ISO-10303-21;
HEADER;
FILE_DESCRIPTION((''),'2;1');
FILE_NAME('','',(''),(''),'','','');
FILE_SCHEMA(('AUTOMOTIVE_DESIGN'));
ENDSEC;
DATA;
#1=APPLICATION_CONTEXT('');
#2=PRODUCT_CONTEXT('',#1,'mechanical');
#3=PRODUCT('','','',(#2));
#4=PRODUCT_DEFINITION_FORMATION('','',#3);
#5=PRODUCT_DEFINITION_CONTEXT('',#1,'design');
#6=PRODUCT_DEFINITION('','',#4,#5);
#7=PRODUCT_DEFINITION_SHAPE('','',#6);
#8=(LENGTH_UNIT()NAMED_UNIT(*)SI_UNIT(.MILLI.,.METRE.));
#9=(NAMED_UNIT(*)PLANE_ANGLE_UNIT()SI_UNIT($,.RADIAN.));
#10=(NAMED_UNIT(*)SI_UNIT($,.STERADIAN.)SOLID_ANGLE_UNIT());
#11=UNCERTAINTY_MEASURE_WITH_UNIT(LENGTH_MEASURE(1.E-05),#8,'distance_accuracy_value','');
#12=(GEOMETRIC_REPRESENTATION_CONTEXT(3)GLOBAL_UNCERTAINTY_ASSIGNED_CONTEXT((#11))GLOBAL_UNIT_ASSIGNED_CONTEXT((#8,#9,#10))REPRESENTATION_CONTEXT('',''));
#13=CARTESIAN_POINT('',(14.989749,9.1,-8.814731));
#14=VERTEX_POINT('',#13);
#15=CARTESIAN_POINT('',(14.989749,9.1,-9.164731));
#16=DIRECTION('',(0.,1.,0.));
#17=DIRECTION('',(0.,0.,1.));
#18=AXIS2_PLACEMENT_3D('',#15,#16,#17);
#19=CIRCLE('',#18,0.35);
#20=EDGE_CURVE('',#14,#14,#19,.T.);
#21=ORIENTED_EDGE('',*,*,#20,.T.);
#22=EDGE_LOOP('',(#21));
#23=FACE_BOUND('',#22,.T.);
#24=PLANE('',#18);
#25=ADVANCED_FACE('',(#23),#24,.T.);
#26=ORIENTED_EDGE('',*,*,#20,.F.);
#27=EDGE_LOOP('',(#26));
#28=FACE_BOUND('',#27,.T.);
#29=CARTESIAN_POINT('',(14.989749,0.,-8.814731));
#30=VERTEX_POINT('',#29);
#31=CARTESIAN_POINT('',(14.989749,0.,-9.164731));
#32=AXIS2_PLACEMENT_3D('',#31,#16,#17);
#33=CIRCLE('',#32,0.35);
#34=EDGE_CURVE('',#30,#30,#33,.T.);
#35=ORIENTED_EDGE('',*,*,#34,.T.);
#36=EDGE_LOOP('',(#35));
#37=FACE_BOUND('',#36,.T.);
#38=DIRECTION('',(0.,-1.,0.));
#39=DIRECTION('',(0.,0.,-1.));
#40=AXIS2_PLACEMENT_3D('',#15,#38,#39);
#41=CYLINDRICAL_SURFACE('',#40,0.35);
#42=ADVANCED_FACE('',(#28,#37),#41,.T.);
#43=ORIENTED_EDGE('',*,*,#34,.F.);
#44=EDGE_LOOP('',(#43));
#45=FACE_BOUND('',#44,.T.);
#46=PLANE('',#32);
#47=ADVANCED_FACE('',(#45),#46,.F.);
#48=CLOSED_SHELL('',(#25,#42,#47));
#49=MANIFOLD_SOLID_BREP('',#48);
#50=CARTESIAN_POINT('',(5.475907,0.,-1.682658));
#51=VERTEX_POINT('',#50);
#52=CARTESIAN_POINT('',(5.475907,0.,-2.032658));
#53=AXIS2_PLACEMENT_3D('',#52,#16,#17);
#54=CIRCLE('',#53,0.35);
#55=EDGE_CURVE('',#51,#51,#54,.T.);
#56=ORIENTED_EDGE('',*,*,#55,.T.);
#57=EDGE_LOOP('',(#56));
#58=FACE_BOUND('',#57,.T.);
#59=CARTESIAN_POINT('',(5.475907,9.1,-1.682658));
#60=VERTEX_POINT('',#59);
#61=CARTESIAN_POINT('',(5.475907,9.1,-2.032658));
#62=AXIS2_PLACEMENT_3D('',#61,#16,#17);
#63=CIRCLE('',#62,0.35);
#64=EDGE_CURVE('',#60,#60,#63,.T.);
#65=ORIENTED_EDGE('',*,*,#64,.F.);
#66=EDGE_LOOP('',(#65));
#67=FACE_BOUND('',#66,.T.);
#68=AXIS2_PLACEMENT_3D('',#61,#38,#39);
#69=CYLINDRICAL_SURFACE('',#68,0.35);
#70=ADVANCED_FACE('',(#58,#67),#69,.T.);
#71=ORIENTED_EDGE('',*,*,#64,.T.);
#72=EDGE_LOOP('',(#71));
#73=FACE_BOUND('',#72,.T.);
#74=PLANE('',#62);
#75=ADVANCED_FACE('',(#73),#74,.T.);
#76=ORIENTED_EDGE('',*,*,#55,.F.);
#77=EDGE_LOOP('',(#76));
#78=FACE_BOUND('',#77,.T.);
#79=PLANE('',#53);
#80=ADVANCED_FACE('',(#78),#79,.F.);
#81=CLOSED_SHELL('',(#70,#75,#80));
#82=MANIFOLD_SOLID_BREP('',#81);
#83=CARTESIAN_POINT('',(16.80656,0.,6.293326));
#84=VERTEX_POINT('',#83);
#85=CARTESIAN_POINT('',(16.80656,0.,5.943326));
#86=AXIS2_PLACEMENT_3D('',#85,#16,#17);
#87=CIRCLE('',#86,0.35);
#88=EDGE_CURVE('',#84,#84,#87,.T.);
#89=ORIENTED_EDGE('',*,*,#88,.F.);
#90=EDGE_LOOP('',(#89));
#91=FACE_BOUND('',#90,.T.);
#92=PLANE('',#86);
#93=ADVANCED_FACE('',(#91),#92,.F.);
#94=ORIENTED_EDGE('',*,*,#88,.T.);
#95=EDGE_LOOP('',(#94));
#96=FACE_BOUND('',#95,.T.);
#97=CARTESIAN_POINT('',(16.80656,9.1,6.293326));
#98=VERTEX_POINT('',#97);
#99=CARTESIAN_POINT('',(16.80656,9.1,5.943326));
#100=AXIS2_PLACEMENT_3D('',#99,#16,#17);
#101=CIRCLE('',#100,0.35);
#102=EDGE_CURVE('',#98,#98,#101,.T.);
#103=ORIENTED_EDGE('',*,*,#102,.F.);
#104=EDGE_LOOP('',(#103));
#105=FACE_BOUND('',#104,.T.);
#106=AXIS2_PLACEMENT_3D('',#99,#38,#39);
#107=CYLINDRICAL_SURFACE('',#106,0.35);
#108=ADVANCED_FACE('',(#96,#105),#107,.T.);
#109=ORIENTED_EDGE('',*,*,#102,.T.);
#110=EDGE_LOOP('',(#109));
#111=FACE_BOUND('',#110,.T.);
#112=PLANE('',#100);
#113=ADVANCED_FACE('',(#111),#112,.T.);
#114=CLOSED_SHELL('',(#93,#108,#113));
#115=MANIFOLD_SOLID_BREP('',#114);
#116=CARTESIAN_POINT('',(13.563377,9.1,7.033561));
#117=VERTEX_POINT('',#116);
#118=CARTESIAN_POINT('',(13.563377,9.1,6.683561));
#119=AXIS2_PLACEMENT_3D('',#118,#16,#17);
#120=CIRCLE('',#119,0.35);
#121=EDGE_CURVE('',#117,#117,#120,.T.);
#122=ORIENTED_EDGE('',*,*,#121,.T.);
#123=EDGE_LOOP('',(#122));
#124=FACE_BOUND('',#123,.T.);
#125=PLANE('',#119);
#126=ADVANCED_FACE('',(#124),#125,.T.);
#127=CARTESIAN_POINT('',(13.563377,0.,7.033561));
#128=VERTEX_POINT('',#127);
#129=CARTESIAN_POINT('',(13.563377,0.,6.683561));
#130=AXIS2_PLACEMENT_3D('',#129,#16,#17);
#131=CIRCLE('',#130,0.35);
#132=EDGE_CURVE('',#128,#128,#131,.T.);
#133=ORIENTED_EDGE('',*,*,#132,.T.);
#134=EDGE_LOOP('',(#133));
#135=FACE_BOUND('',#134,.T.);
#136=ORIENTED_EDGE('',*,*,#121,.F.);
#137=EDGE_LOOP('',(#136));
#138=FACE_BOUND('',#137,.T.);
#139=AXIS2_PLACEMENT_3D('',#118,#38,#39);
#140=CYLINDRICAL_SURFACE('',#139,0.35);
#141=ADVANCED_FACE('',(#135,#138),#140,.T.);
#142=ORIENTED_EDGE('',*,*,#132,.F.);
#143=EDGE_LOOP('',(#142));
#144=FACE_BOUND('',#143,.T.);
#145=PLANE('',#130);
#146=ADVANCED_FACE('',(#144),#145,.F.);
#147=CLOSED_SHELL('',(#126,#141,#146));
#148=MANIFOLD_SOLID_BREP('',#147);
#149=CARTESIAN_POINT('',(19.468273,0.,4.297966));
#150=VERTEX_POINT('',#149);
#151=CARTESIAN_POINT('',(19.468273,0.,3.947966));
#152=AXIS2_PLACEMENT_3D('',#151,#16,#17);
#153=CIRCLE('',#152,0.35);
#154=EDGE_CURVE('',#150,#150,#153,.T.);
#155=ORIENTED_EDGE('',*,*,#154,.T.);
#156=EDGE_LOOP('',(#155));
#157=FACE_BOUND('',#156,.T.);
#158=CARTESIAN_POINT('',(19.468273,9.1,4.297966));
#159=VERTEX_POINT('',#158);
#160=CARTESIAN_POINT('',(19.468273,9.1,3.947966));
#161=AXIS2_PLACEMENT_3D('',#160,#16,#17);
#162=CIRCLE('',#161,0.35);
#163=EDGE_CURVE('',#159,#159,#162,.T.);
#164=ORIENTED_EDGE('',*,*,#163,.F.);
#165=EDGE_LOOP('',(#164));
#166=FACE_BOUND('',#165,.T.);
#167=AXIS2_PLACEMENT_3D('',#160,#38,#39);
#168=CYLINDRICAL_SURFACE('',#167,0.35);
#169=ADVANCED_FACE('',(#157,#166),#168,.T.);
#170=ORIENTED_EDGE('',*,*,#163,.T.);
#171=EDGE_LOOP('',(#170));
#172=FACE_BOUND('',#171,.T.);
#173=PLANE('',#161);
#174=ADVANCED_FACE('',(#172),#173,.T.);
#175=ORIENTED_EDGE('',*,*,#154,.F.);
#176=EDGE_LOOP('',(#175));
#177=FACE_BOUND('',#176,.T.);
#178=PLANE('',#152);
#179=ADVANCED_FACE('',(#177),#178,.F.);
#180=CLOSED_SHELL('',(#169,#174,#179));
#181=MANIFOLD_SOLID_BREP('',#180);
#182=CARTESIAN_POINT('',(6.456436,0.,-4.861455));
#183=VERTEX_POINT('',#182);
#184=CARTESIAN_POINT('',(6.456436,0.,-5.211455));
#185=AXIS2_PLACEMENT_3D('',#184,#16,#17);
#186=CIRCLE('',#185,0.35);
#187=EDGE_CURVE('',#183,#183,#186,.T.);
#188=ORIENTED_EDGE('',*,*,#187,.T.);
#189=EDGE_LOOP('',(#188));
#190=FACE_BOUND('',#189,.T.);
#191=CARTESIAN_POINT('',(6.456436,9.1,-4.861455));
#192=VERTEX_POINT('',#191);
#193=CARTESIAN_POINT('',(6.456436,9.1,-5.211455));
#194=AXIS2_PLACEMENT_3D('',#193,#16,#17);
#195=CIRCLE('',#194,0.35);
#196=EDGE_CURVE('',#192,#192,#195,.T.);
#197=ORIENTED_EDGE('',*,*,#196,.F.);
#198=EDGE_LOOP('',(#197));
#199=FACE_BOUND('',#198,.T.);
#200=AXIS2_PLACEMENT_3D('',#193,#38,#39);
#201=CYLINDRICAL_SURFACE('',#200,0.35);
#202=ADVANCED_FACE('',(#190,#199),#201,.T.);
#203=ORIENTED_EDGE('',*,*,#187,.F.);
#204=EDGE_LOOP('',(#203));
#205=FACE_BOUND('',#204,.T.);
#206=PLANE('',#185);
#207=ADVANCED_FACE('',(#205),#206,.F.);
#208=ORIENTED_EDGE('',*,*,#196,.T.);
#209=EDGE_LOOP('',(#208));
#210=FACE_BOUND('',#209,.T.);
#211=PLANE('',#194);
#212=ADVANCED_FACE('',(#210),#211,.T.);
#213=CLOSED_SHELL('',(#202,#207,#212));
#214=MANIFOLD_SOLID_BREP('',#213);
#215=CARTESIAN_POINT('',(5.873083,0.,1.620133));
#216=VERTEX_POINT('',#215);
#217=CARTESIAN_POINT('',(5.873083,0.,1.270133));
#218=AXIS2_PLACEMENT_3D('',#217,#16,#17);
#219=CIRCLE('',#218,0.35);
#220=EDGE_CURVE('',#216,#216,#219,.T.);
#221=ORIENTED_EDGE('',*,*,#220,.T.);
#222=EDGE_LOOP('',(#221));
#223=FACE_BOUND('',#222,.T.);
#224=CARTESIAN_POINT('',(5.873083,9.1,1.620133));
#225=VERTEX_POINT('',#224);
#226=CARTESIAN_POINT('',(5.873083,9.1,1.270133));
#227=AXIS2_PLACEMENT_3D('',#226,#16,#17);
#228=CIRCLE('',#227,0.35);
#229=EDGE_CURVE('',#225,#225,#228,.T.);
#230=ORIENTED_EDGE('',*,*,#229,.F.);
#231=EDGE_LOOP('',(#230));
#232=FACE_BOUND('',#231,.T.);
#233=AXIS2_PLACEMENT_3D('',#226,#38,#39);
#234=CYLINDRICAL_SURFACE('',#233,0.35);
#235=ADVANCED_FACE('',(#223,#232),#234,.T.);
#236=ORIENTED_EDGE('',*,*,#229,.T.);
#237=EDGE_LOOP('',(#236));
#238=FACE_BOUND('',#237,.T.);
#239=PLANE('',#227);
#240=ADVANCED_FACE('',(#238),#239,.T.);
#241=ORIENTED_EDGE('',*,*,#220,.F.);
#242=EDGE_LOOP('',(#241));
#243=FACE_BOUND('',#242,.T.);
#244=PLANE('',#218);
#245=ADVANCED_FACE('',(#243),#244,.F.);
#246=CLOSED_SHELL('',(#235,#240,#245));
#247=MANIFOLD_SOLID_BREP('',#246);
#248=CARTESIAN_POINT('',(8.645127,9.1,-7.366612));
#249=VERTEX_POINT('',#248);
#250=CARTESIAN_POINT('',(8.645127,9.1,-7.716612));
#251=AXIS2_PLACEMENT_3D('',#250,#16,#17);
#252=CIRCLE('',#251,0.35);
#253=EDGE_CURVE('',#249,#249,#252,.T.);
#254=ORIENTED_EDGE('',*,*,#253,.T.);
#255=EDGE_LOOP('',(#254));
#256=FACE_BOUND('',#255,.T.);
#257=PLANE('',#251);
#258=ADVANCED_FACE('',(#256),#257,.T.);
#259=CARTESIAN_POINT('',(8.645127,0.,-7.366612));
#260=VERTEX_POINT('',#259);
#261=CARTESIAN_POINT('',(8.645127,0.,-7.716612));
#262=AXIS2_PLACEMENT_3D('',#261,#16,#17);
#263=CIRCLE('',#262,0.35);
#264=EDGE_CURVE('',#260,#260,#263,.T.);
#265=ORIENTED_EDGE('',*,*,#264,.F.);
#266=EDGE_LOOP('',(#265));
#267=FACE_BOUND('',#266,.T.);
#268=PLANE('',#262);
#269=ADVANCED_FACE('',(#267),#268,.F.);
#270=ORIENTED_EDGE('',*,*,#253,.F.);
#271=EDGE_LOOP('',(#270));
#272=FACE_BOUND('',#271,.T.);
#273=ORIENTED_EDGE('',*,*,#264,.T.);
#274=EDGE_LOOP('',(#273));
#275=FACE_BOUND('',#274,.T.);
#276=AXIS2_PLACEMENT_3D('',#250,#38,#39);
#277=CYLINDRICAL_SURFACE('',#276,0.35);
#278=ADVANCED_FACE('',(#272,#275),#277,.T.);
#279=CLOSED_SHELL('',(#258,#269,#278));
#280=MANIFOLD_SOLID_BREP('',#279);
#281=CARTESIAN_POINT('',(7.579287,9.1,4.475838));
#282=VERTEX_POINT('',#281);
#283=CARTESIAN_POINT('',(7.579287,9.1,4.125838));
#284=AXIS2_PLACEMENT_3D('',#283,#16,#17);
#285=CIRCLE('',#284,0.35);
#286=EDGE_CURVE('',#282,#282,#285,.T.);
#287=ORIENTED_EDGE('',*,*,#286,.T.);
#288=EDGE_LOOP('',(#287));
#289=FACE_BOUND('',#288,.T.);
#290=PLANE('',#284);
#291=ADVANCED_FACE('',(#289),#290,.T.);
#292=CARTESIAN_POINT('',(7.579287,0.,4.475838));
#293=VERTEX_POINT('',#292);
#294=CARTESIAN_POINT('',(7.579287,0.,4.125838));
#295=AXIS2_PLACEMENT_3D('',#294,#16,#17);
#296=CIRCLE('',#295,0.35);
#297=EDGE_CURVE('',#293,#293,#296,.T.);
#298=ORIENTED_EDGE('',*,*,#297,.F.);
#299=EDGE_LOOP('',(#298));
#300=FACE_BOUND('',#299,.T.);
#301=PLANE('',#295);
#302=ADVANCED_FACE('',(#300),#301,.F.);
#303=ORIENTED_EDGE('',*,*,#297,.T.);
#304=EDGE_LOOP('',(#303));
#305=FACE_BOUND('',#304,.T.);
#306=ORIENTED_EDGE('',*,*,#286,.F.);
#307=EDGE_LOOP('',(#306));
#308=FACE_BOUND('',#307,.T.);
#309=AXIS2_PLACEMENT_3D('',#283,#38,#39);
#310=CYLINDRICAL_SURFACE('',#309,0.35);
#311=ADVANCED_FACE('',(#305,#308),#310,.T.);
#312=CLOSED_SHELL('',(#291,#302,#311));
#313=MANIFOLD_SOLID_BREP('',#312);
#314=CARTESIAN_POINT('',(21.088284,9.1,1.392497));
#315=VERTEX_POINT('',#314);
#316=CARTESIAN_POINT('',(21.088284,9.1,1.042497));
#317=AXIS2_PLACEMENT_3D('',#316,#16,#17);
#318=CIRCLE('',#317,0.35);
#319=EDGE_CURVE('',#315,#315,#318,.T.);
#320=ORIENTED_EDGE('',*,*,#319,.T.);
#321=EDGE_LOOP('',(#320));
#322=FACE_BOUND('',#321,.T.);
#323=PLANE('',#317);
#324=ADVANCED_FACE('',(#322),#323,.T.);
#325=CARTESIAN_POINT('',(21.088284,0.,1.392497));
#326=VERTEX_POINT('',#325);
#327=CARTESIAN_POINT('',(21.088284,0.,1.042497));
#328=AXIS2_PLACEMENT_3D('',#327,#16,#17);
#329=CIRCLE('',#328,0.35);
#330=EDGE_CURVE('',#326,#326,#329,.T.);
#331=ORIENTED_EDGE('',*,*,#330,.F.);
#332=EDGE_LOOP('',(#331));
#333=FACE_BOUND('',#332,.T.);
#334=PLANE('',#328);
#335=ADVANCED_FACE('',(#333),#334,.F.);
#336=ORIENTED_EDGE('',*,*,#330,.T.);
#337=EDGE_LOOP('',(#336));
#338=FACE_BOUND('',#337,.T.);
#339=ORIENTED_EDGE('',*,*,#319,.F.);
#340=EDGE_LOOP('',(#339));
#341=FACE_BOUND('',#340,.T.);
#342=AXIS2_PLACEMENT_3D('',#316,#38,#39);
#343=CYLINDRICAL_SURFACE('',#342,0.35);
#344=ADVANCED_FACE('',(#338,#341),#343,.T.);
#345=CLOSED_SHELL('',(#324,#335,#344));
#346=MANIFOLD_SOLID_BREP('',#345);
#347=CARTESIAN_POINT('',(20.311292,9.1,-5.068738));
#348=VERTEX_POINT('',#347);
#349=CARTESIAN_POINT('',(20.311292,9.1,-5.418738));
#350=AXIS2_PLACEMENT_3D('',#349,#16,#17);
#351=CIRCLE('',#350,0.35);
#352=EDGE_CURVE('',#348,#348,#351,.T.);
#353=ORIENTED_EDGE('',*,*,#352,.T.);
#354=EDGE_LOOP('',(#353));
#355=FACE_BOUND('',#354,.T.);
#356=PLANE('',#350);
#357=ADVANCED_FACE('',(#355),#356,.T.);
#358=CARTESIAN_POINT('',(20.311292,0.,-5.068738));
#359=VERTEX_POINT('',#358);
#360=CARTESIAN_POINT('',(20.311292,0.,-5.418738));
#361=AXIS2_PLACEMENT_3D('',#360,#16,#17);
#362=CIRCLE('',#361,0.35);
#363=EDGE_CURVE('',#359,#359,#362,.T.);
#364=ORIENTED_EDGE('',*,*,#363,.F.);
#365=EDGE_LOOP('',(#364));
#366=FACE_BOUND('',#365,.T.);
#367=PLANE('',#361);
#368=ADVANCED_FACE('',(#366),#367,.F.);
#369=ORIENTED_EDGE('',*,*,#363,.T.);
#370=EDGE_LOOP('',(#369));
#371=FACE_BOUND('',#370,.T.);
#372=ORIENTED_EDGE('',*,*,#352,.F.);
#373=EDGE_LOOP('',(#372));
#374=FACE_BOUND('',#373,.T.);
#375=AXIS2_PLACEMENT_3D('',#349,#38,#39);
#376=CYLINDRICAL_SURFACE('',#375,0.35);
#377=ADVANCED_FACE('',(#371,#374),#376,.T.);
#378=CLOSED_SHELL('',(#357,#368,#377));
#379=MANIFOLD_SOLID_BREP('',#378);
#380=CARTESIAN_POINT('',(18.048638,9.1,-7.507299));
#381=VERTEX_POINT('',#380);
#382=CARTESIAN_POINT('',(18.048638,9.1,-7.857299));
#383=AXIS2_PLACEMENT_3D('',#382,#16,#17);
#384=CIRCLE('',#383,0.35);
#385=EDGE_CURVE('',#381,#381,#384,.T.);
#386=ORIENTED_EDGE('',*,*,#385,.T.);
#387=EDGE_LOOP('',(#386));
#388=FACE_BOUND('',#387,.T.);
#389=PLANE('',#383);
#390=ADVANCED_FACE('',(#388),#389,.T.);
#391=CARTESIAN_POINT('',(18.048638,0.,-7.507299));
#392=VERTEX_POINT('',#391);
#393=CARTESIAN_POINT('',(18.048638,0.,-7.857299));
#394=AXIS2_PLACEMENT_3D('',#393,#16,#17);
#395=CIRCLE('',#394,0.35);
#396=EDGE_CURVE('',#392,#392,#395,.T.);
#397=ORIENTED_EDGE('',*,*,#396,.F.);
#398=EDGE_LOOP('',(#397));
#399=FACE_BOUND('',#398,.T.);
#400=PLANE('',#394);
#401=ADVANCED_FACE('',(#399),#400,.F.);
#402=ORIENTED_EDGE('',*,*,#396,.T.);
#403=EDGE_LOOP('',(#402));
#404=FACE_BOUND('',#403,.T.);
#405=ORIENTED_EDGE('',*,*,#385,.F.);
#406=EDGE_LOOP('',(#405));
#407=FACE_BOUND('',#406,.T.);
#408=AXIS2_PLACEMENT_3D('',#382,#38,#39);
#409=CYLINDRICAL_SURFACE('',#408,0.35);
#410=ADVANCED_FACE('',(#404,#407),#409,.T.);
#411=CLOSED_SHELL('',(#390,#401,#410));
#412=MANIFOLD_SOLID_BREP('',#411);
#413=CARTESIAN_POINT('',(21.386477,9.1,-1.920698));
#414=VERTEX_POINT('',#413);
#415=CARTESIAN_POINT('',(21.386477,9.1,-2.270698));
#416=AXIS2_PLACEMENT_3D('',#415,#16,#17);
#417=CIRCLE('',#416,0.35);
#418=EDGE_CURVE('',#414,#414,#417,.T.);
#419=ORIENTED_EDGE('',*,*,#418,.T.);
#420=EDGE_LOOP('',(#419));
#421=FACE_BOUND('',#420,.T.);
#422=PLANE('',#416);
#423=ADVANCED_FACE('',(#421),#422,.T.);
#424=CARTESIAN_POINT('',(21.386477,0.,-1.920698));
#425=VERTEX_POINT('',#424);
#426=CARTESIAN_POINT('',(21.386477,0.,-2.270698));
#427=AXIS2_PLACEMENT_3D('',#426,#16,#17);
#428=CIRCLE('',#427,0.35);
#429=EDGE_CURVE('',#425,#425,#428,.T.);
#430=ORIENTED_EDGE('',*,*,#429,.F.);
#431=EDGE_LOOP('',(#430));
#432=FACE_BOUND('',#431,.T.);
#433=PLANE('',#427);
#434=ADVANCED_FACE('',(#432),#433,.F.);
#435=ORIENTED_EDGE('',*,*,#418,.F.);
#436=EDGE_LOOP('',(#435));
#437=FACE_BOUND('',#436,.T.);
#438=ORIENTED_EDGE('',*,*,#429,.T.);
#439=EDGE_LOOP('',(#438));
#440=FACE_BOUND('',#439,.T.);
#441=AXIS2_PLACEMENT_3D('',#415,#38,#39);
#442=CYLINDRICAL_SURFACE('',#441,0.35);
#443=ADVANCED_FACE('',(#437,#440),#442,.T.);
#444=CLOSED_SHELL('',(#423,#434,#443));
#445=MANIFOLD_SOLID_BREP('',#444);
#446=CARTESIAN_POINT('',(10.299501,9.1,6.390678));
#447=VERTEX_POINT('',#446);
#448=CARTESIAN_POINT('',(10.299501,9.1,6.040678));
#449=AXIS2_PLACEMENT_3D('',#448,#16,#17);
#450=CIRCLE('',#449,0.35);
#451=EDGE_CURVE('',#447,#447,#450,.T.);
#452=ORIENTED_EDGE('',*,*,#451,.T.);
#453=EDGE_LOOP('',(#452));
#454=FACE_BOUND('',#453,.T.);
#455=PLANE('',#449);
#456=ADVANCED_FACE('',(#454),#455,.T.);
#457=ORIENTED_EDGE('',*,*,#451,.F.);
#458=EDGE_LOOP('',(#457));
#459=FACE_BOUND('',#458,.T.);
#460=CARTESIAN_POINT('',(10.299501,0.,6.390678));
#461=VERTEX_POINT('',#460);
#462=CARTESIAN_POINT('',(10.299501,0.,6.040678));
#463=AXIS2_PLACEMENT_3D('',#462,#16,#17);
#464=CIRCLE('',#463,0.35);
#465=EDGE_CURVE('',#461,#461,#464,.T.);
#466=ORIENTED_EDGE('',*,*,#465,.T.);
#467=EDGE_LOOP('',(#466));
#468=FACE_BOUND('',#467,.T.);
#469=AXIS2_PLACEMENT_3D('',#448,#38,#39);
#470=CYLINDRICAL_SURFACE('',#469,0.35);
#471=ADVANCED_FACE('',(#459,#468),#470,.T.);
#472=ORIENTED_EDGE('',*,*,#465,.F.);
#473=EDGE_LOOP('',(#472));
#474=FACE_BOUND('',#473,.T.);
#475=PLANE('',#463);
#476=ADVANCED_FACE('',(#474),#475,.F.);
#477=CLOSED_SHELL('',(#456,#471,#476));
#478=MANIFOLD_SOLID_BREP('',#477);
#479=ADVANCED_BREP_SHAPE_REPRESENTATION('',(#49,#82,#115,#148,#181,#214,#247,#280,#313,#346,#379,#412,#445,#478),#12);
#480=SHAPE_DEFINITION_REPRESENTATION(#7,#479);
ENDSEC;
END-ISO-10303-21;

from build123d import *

# Parameters (mm, degrees)
SKETCH1_R              = 0.35
BOSS_EXTRUDE1_DEPTH    = 9.1
BOSS_EXTRUDE1_2_DEPTH  = 9.1
BOSS_EXTRUDE1_3_DEPTH  = 9.1
BOSS_EXTRUDE1_4_DEPTH  = 9.1
BOSS_EXTRUDE1_5_DEPTH  = 9.1
BOSS_EXTRUDE1_6_DEPTH  = 9.1
BOSS_EXTRUDE1_7_DEPTH  = 9.1
BOSS_EXTRUDE1_8_DEPTH  = 9.1
BOSS_EXTRUDE1_9_DEPTH  = 9.1
BOSS_EXTRUDE1_10_DEPTH = 9.1
BOSS_EXTRUDE1_11_DEPTH = 9.1
BOSS_EXTRUDE1_12_DEPTH = 9.1
BOSS_EXTRUDE1_13_DEPTH = 9.1
BOSS_EXTRUDE1_14_DEPTH = 9.1


with BuildPart() as part:
    # Sketch1 → Boss-Extrude1 (new body)
    with BuildSketch(Plane(origin=(0, 0, 0), x_dir=(1, 0, 0), z_dir=(0, 1, 0))):
        with Locations(Location((14.989749072, 9.164731075, 0), (0, 0, 270))):
            Circle(SKETCH1_R)
    extrude(amount=BOSS_EXTRUDE1_DEPTH)


with BuildPart() as body_2:
    # Sketch1 → Boss-Extrude1 2 (new body)
    with BuildSketch(Plane(origin=(0, 0, 0), x_dir=(1, 0, 0), z_dir=(0, 1, 0))):
        with Locations(Location((18.048638255, 7.857299093, 0), (0, 0, 270))):
            Circle(SKETCH1_R)
    extrude(amount=BOSS_EXTRUDE1_2_DEPTH)


with BuildPart() as body_3:
    # Sketch1 → Boss-Extrude1 3 (new body)
    with BuildSketch(Plane(origin=(0, 0, 0), x_dir=(1, 0, 0), z_dir=(0, 1, 0))):
        with Locations(Location((20.311292078, 5.418738227, 0), (0, 0, 270))):
            Circle(SKETCH1_R)
    extrude(amount=BOSS_EXTRUDE1_3_DEPTH)


with BuildPart() as body_4:
    # Sketch1 → Boss-Extrude1 4 (new body)
    with BuildSketch(Plane(origin=(0, 0, 0), x_dir=(1, 0, 0), z_dir=(0, 1, 0))):
        with Locations(Location((21.38647714, 2.270697804, 0), (0, 0, 270))):
            Circle(SKETCH1_R)
    extrude(amount=BOSS_EXTRUDE1_4_DEPTH)


with BuildPart() as body_5:
    # Sketch1 → Boss-Extrude1 5 (new body)
    with BuildSketch(Plane(origin=(0, 0, 0), x_dir=(1, 0, 0), z_dir=(0, 1, 0))):
        with Locations(Location((21.088284176, -1.042497388, 0), (0, 0, 270))):
            Circle(SKETCH1_R)
    extrude(amount=BOSS_EXTRUDE1_5_DEPTH)


with BuildPart() as body_6:
    # Sketch1 → Boss-Extrude1 6 (new body)
    with BuildSketch(Plane(origin=(0, 0, 0), x_dir=(1, 0, 0), z_dir=(0, 1, 0))):
        with Locations(Location((19.468273457, -3.9479658, 0), (0, 0, 270))):
            Circle(SKETCH1_R)
    extrude(amount=BOSS_EXTRUDE1_6_DEPTH)


with BuildPart() as body_7:
    # Sketch1 → Boss-Extrude1 7 (new body)
    with BuildSketch(Plane(origin=(0, 0, 0), x_dir=(1, 0, 0), z_dir=(0, 1, 0))):
        with Locations(Location((16.806559556, -5.943325549, 0), (0, 0, 270))):
            Circle(SKETCH1_R)
    extrude(amount=BOSS_EXTRUDE1_7_DEPTH)


with BuildPart() as body_8:
    # Sketch1 → Boss-Extrude1 8 (new body)
    with BuildSketch(Plane(origin=(0, 0, 0), x_dir=(1, 0, 0), z_dir=(0, 1, 0))):
        with Locations(Location((13.563376986, -6.683560807, 0), (0, 0, 270))):
            Circle(SKETCH1_R)
    extrude(amount=BOSS_EXTRUDE1_8_DEPTH)


with BuildPart() as body_9:
    # Sketch1 → Boss-Extrude1 9 (new body)
    with BuildSketch(Plane(origin=(0, 0, 0), x_dir=(1, 0, 0), z_dir=(0, 1, 0))):
        with Locations(Location((10.299501476, -6.040678173, 0), (0, 0, 270))):
            Circle(SKETCH1_R)
    extrude(amount=BOSS_EXTRUDE1_9_DEPTH)


with BuildPart() as body_10:
    # Sketch1 → Boss-Extrude1 10 (new body)
    with BuildSketch(Plane(origin=(0, 0, 0), x_dir=(1, 0, 0), z_dir=(0, 1, 0))):
        with Locations(Location((7.579286755, -4.125837895, 0), (0, 0, 270))):
            Circle(SKETCH1_R)
    extrude(amount=BOSS_EXTRUDE1_10_DEPTH)


with BuildPart() as body_11:
    # Sketch1 → Boss-Extrude1 11 (new body)
    with BuildSketch(Plane(origin=(0, 0, 0), x_dir=(1, 0, 0), z_dir=(0, 1, 0))):
        with Locations(Location((5.873082659, -1.270133252, 0), (0, 0, 270))):
            Circle(SKETCH1_R)
    extrude(amount=BOSS_EXTRUDE1_11_DEPTH)


with BuildPart() as body_12:
    # Sketch1 → Boss-Extrude1 12 (new body)
    with BuildSketch(Plane(origin=(0, 0, 0), x_dir=(1, 0, 0), z_dir=(0, 1, 0))):
        with Locations(Location((5.475907377, 2.032658479, 0), (0, 0, 270))):
            Circle(SKETCH1_R)
    extrude(amount=BOSS_EXTRUDE1_12_DEPTH)


with BuildPart() as body_13:
    # Sketch1 → Boss-Extrude1 13 (new body)
    with BuildSketch(Plane(origin=(0, 0, 0), x_dir=(1, 0, 0), z_dir=(0, 1, 0))):
        with Locations(Location((6.456436124, 5.211454603, 0), (0, 0, 270))):
            Circle(SKETCH1_R)
    extrude(amount=BOSS_EXTRUDE1_13_DEPTH)


with BuildPart() as body_14:
    # Sketch1 → Boss-Extrude1 14 (new body)
    with BuildSketch(Plane(origin=(0, 0, 0), x_dir=(1, 0, 0), z_dir=(0, 1, 0))):
        with Locations(Location((8.645126572, 7.716612391, 0), (0, 0, 270))):
            Circle(SKETCH1_R)
    extrude(amount=BOSS_EXTRUDE1_14_DEPTH)


solid = Compound([part.part, body_2.part, body_3.part, body_4.part, body_5.part, body_6.part, body_7.part, body_8.part, body_9.part, body_10.part, body_11.part, body_12.part, body_13.part, body_14.part])
